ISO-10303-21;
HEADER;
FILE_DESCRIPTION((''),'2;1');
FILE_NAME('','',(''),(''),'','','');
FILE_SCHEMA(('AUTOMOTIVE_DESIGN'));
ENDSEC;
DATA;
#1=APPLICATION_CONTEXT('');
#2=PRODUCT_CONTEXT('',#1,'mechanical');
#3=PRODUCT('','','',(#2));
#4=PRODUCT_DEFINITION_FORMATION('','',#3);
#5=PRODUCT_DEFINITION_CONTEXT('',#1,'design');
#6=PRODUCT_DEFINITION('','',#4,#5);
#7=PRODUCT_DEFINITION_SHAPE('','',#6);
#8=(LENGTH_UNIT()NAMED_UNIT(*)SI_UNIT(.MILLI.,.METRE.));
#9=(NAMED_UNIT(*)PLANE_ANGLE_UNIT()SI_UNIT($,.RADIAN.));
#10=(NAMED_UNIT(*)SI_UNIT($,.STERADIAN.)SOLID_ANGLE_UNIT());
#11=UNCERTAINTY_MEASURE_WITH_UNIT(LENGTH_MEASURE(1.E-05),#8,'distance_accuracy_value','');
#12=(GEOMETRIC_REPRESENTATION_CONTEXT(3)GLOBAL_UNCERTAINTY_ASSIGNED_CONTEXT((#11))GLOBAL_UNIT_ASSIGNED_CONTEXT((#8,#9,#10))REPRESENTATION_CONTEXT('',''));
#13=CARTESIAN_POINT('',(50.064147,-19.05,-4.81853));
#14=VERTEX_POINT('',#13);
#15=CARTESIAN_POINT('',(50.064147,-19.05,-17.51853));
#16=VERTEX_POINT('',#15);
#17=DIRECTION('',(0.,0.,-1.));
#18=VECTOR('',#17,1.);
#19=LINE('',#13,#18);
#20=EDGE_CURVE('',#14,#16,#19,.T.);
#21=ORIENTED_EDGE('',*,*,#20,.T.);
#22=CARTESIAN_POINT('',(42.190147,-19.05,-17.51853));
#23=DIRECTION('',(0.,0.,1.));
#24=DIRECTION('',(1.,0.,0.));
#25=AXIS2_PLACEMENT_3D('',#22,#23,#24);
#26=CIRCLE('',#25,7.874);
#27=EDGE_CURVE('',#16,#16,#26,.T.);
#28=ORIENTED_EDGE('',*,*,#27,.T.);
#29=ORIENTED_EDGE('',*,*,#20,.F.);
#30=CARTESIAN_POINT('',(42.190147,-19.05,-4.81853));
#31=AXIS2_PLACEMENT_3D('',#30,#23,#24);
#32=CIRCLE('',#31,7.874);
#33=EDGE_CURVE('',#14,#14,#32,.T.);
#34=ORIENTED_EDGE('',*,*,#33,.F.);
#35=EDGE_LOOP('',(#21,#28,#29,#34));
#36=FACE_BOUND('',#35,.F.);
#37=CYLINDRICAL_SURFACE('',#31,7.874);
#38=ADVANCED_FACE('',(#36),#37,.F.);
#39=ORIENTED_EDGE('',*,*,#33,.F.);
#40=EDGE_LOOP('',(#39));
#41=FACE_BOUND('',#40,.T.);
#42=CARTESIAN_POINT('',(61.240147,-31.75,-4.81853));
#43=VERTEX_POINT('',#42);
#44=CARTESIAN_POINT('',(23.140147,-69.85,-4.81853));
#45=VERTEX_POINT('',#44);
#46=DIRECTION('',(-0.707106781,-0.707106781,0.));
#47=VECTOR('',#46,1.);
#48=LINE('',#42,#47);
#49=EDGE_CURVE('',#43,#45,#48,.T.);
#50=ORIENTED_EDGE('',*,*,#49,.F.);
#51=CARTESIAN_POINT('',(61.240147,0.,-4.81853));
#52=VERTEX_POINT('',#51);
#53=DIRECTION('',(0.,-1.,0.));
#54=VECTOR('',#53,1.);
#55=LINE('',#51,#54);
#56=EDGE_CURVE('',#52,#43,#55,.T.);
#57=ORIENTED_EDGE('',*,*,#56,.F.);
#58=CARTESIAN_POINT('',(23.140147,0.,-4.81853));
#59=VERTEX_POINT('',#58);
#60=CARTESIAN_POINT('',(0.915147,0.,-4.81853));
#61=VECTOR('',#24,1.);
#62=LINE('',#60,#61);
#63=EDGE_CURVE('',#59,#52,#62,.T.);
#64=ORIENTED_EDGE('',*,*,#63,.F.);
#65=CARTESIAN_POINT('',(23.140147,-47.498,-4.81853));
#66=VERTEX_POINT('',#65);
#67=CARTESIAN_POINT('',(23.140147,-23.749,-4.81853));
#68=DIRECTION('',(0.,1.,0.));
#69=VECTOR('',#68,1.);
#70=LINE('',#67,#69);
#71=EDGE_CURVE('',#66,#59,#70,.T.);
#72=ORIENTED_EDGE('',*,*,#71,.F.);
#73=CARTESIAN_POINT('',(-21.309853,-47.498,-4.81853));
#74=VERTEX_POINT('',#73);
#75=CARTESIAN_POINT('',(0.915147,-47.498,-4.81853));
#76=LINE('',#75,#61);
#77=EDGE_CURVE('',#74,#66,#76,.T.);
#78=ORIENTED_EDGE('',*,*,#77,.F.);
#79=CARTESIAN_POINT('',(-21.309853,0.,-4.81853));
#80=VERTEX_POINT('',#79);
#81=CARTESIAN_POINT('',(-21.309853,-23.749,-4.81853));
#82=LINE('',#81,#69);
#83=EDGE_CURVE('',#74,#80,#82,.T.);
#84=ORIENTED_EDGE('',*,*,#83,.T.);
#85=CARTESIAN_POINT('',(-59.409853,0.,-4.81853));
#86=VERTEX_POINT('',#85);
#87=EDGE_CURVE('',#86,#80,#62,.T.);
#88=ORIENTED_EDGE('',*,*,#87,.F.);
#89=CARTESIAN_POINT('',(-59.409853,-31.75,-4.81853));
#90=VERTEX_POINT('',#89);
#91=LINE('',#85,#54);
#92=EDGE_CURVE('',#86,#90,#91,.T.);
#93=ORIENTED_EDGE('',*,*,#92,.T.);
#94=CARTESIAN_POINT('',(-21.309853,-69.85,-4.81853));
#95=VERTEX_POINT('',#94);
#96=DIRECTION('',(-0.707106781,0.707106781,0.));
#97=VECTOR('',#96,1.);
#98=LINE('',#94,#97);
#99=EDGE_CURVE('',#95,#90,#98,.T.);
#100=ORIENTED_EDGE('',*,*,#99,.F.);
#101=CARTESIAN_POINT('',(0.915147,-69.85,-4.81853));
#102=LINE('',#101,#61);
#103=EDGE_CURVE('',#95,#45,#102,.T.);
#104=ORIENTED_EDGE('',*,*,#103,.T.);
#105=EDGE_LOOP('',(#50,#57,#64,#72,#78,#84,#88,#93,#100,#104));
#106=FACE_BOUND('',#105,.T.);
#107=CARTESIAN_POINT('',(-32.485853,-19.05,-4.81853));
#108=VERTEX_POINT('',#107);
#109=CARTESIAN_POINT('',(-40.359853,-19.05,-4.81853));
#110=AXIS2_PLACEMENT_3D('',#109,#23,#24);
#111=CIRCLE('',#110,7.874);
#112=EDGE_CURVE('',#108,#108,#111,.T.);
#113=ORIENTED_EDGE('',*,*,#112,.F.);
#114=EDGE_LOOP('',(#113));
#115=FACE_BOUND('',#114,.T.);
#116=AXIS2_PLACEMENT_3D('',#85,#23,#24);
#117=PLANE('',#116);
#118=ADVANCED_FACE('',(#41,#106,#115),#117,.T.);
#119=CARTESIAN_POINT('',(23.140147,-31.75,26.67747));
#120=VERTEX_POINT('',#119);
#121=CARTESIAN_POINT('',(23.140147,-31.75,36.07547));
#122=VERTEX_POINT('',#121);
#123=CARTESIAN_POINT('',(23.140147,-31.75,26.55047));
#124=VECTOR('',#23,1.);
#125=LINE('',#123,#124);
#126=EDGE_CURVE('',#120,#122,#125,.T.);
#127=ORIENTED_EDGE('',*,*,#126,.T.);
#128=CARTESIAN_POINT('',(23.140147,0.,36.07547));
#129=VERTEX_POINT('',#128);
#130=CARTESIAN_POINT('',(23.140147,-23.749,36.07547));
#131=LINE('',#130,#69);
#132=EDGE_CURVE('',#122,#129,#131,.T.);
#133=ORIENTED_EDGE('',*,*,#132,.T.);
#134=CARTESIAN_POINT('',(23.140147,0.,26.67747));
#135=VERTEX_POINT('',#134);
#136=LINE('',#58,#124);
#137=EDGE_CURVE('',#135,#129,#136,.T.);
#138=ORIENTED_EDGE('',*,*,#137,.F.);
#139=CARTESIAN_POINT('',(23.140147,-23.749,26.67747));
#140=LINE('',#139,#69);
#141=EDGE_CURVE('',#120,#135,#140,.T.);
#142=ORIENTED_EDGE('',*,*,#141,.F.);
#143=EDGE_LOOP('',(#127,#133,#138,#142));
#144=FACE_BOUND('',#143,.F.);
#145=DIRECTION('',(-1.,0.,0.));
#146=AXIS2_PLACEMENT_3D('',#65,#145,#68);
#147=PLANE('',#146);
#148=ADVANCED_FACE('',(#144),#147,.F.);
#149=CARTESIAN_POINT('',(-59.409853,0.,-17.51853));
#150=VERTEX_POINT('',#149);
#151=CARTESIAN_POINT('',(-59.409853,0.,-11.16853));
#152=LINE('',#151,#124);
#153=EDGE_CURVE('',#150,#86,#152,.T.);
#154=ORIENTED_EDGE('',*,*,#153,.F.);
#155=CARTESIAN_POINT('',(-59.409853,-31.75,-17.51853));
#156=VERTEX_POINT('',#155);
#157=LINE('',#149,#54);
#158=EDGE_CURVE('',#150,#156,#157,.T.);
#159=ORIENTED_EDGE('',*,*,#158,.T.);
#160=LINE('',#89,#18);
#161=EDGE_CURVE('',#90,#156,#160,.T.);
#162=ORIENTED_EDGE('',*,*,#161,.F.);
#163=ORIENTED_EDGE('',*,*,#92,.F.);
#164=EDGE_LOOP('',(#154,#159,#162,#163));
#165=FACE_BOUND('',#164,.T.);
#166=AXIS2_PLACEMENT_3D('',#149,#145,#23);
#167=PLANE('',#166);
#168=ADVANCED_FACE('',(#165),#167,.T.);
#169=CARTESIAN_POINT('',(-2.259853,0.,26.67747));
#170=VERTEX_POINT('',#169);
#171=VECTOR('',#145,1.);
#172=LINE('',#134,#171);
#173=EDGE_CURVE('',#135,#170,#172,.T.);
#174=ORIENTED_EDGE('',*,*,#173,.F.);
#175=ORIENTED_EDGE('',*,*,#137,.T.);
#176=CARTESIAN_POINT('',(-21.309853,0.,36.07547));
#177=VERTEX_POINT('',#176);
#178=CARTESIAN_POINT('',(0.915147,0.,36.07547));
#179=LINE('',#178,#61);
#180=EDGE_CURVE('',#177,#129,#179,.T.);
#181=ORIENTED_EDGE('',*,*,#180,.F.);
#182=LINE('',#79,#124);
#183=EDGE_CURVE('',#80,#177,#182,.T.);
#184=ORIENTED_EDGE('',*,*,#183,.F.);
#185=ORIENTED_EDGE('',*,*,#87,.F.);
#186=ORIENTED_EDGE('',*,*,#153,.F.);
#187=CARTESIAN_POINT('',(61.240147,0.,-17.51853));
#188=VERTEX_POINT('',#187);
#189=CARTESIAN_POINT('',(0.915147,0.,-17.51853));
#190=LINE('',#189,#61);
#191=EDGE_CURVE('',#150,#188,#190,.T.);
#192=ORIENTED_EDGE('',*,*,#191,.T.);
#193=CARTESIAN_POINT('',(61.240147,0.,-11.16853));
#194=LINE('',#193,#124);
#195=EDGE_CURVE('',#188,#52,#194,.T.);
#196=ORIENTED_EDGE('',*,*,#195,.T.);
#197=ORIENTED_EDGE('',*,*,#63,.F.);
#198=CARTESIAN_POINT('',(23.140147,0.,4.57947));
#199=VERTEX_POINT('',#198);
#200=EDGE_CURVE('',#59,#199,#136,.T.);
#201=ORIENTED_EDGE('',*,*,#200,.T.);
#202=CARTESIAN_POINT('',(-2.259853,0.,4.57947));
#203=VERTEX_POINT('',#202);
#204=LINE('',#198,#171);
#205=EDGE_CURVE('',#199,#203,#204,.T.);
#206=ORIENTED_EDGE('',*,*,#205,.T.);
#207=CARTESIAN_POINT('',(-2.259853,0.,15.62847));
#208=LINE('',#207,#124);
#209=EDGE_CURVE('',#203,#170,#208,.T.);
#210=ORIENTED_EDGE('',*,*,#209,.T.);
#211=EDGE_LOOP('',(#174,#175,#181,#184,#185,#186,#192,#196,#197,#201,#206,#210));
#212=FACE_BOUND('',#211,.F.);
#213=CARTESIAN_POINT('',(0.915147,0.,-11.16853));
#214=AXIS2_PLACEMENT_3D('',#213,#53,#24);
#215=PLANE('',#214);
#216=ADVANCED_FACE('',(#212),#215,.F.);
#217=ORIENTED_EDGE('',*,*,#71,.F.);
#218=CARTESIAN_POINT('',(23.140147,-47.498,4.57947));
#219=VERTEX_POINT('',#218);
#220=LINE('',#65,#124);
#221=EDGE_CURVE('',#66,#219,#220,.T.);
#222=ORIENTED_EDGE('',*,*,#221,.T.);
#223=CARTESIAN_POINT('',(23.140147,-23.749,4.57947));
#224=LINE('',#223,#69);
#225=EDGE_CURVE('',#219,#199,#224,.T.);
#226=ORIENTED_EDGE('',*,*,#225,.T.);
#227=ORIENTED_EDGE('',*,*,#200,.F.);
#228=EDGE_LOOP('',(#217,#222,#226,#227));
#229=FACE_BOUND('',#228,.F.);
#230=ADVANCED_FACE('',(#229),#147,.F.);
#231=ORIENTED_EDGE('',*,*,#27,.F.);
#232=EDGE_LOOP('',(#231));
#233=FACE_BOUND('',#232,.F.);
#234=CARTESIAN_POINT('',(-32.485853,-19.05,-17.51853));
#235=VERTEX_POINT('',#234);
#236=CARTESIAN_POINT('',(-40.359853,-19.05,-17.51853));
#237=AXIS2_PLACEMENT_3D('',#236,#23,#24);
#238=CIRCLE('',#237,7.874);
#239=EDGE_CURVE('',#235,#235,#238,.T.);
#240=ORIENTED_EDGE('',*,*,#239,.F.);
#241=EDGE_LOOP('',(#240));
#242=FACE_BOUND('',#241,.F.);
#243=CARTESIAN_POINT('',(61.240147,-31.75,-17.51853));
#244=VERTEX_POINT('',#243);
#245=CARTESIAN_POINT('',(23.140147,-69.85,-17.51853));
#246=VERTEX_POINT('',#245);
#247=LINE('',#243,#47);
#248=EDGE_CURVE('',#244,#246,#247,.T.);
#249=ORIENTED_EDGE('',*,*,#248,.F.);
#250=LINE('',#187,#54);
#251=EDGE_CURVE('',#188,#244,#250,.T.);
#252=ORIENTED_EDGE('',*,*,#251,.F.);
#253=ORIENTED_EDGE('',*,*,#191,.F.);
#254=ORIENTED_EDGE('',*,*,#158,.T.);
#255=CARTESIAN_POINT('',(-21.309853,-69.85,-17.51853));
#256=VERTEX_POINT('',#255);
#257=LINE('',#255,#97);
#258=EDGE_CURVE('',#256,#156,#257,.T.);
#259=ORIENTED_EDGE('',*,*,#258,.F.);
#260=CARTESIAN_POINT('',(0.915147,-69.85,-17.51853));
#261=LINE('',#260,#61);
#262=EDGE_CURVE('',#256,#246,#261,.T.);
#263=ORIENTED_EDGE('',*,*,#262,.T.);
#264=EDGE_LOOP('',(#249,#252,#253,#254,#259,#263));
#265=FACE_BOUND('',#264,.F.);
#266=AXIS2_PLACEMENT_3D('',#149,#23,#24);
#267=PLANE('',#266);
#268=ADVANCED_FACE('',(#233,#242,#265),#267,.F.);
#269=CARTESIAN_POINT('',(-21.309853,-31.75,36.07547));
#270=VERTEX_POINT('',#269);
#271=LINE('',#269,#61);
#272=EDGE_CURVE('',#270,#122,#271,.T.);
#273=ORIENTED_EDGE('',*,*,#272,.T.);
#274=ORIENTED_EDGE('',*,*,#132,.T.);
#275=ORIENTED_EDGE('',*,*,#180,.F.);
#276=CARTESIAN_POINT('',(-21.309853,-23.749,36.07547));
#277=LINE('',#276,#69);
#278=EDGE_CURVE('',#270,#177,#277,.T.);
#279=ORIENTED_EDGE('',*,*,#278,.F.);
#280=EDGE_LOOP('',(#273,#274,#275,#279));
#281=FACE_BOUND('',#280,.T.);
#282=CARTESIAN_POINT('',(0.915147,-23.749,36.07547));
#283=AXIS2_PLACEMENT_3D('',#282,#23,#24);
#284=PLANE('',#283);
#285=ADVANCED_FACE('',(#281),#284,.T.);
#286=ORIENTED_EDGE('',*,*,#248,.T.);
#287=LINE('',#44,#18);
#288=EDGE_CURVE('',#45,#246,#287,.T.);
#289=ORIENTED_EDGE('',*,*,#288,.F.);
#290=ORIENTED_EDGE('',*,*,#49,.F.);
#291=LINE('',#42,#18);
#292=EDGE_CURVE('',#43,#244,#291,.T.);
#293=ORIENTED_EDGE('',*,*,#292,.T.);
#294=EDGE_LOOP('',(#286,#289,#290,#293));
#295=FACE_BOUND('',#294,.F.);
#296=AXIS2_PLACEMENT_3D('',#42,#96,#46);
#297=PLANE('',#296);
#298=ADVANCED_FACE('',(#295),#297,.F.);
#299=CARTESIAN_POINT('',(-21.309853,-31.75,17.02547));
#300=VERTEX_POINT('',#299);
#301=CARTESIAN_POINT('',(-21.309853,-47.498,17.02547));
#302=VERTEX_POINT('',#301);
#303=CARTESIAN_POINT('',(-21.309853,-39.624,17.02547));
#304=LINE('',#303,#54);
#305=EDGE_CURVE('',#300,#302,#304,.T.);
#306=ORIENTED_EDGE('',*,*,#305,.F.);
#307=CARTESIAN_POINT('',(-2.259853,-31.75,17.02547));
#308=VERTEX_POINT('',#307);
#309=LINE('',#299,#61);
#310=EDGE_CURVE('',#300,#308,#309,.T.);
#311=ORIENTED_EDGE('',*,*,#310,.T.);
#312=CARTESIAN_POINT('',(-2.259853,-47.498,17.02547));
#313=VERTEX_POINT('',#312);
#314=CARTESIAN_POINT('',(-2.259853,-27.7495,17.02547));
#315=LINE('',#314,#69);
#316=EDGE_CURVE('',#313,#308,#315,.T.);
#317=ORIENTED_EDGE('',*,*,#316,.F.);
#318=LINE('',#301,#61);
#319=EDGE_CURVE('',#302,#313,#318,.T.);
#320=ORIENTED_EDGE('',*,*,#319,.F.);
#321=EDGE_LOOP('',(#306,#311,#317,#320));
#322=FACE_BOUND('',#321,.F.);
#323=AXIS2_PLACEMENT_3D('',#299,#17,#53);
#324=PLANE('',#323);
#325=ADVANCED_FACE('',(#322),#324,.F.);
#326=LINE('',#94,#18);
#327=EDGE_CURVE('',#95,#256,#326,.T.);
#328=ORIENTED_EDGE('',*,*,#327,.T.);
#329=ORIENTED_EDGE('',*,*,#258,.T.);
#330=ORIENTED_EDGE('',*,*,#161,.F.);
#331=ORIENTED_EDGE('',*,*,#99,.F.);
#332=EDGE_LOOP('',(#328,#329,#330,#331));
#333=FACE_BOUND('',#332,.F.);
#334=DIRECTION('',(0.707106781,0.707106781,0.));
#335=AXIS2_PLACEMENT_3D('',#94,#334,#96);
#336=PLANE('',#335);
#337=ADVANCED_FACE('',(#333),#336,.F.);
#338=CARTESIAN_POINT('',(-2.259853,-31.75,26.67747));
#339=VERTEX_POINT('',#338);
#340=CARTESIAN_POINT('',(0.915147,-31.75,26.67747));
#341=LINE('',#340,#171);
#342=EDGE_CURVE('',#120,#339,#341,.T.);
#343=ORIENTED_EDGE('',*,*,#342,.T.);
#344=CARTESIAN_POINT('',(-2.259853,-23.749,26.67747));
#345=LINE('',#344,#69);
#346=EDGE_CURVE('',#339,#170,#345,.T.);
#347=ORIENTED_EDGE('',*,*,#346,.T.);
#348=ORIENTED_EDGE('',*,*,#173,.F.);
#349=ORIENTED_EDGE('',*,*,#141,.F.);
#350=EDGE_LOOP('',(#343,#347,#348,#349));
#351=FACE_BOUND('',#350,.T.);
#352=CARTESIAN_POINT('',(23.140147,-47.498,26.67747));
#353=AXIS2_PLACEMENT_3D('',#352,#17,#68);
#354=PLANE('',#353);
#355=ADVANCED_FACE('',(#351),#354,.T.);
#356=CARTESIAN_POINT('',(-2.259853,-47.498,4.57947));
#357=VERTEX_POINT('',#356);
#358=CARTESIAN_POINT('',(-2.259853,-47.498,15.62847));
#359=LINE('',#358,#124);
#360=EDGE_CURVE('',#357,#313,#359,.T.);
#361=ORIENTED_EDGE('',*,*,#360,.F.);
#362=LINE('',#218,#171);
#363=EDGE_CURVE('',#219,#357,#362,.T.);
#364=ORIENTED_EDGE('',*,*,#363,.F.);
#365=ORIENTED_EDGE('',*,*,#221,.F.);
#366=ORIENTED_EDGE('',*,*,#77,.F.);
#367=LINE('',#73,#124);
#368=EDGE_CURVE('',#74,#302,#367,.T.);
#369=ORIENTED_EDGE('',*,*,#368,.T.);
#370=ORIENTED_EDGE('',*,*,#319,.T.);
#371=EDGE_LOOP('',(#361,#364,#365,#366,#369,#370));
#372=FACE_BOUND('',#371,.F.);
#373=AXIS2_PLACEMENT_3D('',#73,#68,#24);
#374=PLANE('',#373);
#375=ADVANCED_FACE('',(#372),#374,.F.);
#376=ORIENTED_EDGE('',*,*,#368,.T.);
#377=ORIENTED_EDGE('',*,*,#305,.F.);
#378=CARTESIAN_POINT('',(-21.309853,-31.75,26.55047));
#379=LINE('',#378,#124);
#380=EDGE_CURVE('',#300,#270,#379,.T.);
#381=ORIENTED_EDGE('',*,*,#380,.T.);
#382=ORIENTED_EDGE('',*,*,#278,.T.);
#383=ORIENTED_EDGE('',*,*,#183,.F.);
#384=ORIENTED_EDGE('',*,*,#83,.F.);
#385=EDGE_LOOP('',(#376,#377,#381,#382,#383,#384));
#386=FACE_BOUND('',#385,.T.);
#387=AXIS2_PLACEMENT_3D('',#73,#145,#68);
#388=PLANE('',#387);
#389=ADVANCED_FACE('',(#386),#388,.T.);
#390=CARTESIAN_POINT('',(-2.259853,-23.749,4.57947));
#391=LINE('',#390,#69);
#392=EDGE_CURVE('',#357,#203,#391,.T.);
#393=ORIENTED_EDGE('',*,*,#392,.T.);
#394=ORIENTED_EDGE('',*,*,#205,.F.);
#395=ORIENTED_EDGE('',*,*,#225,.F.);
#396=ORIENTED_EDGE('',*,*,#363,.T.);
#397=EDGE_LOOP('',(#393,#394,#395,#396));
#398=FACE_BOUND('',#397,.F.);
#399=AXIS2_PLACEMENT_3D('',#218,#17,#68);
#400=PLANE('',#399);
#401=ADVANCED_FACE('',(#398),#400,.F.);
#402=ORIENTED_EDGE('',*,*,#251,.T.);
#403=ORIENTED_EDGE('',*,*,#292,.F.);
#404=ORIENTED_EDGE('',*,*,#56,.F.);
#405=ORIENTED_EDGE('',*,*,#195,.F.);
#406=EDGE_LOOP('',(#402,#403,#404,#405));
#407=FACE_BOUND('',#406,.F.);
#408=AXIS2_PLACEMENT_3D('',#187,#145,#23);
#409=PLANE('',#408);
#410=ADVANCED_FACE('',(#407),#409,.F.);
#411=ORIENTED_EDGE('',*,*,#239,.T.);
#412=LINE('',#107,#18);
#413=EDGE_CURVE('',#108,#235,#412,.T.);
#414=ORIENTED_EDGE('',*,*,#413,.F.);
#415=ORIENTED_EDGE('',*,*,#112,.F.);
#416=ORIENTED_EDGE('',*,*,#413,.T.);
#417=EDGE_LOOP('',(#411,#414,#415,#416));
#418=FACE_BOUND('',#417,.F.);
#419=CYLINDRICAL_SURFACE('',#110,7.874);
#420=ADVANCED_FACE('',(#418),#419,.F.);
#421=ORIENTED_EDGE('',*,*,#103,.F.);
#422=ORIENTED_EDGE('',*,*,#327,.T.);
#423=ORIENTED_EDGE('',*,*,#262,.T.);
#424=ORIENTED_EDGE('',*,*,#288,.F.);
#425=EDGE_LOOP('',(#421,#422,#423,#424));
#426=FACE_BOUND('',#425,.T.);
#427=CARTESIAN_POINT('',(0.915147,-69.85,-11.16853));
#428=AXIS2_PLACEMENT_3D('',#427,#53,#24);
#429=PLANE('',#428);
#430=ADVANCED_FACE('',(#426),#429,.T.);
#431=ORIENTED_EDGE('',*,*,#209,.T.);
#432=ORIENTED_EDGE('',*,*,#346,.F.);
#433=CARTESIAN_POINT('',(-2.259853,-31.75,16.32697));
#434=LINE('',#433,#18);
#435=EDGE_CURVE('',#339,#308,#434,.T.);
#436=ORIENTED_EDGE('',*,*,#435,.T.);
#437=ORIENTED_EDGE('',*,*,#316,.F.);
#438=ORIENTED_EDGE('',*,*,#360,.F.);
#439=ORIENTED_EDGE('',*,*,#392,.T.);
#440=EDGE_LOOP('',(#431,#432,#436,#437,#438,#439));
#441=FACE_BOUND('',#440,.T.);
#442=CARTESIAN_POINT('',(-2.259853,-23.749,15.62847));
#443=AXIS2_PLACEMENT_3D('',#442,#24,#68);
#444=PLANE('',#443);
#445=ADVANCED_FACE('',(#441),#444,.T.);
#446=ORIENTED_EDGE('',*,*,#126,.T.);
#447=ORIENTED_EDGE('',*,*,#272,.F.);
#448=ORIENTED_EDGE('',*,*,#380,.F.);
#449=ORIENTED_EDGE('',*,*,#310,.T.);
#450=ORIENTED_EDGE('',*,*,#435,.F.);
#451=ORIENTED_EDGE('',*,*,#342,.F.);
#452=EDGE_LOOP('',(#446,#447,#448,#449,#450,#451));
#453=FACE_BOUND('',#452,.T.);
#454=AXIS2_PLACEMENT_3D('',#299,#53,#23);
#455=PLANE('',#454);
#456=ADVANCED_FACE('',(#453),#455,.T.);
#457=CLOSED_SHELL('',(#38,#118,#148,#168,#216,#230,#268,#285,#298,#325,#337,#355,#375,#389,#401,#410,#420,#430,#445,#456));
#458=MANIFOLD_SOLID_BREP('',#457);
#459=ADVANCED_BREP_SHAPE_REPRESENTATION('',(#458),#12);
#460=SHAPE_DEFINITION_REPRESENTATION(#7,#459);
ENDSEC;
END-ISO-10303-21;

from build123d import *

# Parameters (mm, degrees)
F0_W      = 120.65
F0_H      = 12.7
F1_DEPTH  = 69.85
F2_R      = 7.874
F3_DEPTH  = 15.748
F5_DEPTH  = 12.7
F4_W      = 44.45
F4_H      = 47.498
F6_DEPTH  = 40.894
F7_W      = 47.498
F7_H      = 22.098
F8_DEPTH  = 25.4
F9_W      = 15.748
F9_H      = 19.05
F10_DEPTH = 44.45


with BuildPart() as f1:
    # F0 (on Front) → F1 (new body)
    with BuildSketch(Plane.XZ):
        with Locations((0.915147, -11.16853)):
            Rectangle(F0_W, F0_H)
    extrude(amount=F1_DEPTH)

    # F2 (on face) → F3 (cut)
    with BuildSketch(Plane.XY.offset(-4.81853)):
        with Locations((42.190147, -19.05)):
            Circle(F2_R)
        with Locations((-40.359853, -19.05)):
            Circle(F2_R)
    extrude(amount=-F3_DEPTH, mode=Mode.SUBTRACT)

    # F2 (on face) → F5 (cut)
    with BuildSketch(Plane.XY.offset(-4.81853)):
        Polygon((-59.409853, -69.85), (-21.309853, -69.85), (-59.409853, -31.75), align=None)
        Polygon((61.240147, -69.85), (61.240147, -31.75), (23.140147, -69.85), align=None)
    extrude(amount=-F5_DEPTH, mode=Mode.SUBTRACT)

    # F4 (on face) → F6 (join)
    with BuildSketch(Plane.XY.offset(-4.81853)):
        with Locations((0.915147, -23.749)):
            Rectangle(F4_W, F4_H)
    extrude(amount=F6_DEPTH)

    # F7 (on face) → F8 (cut)
    with BuildSketch(Plane.YZ.offset(23.140147)):
        with Locations((-23.749, 15.62847)):
            Rectangle(F7_W, F7_H)
    extrude(amount=-F8_DEPTH, mode=Mode.SUBTRACT)

    # F9 (on face) → F10 (cut)
    with BuildSketch(Plane(origin=(-21.309853, 0, 0), x_dir=(0, -1, 0), z_dir=(-1, 0, 0))):
        with Locations((39.624, 26.55047)):
            Rectangle(F9_W, F9_H)
    extrude(amount=-F10_DEPTH, mode=Mode.SUBTRACT)


solid = f1.part
